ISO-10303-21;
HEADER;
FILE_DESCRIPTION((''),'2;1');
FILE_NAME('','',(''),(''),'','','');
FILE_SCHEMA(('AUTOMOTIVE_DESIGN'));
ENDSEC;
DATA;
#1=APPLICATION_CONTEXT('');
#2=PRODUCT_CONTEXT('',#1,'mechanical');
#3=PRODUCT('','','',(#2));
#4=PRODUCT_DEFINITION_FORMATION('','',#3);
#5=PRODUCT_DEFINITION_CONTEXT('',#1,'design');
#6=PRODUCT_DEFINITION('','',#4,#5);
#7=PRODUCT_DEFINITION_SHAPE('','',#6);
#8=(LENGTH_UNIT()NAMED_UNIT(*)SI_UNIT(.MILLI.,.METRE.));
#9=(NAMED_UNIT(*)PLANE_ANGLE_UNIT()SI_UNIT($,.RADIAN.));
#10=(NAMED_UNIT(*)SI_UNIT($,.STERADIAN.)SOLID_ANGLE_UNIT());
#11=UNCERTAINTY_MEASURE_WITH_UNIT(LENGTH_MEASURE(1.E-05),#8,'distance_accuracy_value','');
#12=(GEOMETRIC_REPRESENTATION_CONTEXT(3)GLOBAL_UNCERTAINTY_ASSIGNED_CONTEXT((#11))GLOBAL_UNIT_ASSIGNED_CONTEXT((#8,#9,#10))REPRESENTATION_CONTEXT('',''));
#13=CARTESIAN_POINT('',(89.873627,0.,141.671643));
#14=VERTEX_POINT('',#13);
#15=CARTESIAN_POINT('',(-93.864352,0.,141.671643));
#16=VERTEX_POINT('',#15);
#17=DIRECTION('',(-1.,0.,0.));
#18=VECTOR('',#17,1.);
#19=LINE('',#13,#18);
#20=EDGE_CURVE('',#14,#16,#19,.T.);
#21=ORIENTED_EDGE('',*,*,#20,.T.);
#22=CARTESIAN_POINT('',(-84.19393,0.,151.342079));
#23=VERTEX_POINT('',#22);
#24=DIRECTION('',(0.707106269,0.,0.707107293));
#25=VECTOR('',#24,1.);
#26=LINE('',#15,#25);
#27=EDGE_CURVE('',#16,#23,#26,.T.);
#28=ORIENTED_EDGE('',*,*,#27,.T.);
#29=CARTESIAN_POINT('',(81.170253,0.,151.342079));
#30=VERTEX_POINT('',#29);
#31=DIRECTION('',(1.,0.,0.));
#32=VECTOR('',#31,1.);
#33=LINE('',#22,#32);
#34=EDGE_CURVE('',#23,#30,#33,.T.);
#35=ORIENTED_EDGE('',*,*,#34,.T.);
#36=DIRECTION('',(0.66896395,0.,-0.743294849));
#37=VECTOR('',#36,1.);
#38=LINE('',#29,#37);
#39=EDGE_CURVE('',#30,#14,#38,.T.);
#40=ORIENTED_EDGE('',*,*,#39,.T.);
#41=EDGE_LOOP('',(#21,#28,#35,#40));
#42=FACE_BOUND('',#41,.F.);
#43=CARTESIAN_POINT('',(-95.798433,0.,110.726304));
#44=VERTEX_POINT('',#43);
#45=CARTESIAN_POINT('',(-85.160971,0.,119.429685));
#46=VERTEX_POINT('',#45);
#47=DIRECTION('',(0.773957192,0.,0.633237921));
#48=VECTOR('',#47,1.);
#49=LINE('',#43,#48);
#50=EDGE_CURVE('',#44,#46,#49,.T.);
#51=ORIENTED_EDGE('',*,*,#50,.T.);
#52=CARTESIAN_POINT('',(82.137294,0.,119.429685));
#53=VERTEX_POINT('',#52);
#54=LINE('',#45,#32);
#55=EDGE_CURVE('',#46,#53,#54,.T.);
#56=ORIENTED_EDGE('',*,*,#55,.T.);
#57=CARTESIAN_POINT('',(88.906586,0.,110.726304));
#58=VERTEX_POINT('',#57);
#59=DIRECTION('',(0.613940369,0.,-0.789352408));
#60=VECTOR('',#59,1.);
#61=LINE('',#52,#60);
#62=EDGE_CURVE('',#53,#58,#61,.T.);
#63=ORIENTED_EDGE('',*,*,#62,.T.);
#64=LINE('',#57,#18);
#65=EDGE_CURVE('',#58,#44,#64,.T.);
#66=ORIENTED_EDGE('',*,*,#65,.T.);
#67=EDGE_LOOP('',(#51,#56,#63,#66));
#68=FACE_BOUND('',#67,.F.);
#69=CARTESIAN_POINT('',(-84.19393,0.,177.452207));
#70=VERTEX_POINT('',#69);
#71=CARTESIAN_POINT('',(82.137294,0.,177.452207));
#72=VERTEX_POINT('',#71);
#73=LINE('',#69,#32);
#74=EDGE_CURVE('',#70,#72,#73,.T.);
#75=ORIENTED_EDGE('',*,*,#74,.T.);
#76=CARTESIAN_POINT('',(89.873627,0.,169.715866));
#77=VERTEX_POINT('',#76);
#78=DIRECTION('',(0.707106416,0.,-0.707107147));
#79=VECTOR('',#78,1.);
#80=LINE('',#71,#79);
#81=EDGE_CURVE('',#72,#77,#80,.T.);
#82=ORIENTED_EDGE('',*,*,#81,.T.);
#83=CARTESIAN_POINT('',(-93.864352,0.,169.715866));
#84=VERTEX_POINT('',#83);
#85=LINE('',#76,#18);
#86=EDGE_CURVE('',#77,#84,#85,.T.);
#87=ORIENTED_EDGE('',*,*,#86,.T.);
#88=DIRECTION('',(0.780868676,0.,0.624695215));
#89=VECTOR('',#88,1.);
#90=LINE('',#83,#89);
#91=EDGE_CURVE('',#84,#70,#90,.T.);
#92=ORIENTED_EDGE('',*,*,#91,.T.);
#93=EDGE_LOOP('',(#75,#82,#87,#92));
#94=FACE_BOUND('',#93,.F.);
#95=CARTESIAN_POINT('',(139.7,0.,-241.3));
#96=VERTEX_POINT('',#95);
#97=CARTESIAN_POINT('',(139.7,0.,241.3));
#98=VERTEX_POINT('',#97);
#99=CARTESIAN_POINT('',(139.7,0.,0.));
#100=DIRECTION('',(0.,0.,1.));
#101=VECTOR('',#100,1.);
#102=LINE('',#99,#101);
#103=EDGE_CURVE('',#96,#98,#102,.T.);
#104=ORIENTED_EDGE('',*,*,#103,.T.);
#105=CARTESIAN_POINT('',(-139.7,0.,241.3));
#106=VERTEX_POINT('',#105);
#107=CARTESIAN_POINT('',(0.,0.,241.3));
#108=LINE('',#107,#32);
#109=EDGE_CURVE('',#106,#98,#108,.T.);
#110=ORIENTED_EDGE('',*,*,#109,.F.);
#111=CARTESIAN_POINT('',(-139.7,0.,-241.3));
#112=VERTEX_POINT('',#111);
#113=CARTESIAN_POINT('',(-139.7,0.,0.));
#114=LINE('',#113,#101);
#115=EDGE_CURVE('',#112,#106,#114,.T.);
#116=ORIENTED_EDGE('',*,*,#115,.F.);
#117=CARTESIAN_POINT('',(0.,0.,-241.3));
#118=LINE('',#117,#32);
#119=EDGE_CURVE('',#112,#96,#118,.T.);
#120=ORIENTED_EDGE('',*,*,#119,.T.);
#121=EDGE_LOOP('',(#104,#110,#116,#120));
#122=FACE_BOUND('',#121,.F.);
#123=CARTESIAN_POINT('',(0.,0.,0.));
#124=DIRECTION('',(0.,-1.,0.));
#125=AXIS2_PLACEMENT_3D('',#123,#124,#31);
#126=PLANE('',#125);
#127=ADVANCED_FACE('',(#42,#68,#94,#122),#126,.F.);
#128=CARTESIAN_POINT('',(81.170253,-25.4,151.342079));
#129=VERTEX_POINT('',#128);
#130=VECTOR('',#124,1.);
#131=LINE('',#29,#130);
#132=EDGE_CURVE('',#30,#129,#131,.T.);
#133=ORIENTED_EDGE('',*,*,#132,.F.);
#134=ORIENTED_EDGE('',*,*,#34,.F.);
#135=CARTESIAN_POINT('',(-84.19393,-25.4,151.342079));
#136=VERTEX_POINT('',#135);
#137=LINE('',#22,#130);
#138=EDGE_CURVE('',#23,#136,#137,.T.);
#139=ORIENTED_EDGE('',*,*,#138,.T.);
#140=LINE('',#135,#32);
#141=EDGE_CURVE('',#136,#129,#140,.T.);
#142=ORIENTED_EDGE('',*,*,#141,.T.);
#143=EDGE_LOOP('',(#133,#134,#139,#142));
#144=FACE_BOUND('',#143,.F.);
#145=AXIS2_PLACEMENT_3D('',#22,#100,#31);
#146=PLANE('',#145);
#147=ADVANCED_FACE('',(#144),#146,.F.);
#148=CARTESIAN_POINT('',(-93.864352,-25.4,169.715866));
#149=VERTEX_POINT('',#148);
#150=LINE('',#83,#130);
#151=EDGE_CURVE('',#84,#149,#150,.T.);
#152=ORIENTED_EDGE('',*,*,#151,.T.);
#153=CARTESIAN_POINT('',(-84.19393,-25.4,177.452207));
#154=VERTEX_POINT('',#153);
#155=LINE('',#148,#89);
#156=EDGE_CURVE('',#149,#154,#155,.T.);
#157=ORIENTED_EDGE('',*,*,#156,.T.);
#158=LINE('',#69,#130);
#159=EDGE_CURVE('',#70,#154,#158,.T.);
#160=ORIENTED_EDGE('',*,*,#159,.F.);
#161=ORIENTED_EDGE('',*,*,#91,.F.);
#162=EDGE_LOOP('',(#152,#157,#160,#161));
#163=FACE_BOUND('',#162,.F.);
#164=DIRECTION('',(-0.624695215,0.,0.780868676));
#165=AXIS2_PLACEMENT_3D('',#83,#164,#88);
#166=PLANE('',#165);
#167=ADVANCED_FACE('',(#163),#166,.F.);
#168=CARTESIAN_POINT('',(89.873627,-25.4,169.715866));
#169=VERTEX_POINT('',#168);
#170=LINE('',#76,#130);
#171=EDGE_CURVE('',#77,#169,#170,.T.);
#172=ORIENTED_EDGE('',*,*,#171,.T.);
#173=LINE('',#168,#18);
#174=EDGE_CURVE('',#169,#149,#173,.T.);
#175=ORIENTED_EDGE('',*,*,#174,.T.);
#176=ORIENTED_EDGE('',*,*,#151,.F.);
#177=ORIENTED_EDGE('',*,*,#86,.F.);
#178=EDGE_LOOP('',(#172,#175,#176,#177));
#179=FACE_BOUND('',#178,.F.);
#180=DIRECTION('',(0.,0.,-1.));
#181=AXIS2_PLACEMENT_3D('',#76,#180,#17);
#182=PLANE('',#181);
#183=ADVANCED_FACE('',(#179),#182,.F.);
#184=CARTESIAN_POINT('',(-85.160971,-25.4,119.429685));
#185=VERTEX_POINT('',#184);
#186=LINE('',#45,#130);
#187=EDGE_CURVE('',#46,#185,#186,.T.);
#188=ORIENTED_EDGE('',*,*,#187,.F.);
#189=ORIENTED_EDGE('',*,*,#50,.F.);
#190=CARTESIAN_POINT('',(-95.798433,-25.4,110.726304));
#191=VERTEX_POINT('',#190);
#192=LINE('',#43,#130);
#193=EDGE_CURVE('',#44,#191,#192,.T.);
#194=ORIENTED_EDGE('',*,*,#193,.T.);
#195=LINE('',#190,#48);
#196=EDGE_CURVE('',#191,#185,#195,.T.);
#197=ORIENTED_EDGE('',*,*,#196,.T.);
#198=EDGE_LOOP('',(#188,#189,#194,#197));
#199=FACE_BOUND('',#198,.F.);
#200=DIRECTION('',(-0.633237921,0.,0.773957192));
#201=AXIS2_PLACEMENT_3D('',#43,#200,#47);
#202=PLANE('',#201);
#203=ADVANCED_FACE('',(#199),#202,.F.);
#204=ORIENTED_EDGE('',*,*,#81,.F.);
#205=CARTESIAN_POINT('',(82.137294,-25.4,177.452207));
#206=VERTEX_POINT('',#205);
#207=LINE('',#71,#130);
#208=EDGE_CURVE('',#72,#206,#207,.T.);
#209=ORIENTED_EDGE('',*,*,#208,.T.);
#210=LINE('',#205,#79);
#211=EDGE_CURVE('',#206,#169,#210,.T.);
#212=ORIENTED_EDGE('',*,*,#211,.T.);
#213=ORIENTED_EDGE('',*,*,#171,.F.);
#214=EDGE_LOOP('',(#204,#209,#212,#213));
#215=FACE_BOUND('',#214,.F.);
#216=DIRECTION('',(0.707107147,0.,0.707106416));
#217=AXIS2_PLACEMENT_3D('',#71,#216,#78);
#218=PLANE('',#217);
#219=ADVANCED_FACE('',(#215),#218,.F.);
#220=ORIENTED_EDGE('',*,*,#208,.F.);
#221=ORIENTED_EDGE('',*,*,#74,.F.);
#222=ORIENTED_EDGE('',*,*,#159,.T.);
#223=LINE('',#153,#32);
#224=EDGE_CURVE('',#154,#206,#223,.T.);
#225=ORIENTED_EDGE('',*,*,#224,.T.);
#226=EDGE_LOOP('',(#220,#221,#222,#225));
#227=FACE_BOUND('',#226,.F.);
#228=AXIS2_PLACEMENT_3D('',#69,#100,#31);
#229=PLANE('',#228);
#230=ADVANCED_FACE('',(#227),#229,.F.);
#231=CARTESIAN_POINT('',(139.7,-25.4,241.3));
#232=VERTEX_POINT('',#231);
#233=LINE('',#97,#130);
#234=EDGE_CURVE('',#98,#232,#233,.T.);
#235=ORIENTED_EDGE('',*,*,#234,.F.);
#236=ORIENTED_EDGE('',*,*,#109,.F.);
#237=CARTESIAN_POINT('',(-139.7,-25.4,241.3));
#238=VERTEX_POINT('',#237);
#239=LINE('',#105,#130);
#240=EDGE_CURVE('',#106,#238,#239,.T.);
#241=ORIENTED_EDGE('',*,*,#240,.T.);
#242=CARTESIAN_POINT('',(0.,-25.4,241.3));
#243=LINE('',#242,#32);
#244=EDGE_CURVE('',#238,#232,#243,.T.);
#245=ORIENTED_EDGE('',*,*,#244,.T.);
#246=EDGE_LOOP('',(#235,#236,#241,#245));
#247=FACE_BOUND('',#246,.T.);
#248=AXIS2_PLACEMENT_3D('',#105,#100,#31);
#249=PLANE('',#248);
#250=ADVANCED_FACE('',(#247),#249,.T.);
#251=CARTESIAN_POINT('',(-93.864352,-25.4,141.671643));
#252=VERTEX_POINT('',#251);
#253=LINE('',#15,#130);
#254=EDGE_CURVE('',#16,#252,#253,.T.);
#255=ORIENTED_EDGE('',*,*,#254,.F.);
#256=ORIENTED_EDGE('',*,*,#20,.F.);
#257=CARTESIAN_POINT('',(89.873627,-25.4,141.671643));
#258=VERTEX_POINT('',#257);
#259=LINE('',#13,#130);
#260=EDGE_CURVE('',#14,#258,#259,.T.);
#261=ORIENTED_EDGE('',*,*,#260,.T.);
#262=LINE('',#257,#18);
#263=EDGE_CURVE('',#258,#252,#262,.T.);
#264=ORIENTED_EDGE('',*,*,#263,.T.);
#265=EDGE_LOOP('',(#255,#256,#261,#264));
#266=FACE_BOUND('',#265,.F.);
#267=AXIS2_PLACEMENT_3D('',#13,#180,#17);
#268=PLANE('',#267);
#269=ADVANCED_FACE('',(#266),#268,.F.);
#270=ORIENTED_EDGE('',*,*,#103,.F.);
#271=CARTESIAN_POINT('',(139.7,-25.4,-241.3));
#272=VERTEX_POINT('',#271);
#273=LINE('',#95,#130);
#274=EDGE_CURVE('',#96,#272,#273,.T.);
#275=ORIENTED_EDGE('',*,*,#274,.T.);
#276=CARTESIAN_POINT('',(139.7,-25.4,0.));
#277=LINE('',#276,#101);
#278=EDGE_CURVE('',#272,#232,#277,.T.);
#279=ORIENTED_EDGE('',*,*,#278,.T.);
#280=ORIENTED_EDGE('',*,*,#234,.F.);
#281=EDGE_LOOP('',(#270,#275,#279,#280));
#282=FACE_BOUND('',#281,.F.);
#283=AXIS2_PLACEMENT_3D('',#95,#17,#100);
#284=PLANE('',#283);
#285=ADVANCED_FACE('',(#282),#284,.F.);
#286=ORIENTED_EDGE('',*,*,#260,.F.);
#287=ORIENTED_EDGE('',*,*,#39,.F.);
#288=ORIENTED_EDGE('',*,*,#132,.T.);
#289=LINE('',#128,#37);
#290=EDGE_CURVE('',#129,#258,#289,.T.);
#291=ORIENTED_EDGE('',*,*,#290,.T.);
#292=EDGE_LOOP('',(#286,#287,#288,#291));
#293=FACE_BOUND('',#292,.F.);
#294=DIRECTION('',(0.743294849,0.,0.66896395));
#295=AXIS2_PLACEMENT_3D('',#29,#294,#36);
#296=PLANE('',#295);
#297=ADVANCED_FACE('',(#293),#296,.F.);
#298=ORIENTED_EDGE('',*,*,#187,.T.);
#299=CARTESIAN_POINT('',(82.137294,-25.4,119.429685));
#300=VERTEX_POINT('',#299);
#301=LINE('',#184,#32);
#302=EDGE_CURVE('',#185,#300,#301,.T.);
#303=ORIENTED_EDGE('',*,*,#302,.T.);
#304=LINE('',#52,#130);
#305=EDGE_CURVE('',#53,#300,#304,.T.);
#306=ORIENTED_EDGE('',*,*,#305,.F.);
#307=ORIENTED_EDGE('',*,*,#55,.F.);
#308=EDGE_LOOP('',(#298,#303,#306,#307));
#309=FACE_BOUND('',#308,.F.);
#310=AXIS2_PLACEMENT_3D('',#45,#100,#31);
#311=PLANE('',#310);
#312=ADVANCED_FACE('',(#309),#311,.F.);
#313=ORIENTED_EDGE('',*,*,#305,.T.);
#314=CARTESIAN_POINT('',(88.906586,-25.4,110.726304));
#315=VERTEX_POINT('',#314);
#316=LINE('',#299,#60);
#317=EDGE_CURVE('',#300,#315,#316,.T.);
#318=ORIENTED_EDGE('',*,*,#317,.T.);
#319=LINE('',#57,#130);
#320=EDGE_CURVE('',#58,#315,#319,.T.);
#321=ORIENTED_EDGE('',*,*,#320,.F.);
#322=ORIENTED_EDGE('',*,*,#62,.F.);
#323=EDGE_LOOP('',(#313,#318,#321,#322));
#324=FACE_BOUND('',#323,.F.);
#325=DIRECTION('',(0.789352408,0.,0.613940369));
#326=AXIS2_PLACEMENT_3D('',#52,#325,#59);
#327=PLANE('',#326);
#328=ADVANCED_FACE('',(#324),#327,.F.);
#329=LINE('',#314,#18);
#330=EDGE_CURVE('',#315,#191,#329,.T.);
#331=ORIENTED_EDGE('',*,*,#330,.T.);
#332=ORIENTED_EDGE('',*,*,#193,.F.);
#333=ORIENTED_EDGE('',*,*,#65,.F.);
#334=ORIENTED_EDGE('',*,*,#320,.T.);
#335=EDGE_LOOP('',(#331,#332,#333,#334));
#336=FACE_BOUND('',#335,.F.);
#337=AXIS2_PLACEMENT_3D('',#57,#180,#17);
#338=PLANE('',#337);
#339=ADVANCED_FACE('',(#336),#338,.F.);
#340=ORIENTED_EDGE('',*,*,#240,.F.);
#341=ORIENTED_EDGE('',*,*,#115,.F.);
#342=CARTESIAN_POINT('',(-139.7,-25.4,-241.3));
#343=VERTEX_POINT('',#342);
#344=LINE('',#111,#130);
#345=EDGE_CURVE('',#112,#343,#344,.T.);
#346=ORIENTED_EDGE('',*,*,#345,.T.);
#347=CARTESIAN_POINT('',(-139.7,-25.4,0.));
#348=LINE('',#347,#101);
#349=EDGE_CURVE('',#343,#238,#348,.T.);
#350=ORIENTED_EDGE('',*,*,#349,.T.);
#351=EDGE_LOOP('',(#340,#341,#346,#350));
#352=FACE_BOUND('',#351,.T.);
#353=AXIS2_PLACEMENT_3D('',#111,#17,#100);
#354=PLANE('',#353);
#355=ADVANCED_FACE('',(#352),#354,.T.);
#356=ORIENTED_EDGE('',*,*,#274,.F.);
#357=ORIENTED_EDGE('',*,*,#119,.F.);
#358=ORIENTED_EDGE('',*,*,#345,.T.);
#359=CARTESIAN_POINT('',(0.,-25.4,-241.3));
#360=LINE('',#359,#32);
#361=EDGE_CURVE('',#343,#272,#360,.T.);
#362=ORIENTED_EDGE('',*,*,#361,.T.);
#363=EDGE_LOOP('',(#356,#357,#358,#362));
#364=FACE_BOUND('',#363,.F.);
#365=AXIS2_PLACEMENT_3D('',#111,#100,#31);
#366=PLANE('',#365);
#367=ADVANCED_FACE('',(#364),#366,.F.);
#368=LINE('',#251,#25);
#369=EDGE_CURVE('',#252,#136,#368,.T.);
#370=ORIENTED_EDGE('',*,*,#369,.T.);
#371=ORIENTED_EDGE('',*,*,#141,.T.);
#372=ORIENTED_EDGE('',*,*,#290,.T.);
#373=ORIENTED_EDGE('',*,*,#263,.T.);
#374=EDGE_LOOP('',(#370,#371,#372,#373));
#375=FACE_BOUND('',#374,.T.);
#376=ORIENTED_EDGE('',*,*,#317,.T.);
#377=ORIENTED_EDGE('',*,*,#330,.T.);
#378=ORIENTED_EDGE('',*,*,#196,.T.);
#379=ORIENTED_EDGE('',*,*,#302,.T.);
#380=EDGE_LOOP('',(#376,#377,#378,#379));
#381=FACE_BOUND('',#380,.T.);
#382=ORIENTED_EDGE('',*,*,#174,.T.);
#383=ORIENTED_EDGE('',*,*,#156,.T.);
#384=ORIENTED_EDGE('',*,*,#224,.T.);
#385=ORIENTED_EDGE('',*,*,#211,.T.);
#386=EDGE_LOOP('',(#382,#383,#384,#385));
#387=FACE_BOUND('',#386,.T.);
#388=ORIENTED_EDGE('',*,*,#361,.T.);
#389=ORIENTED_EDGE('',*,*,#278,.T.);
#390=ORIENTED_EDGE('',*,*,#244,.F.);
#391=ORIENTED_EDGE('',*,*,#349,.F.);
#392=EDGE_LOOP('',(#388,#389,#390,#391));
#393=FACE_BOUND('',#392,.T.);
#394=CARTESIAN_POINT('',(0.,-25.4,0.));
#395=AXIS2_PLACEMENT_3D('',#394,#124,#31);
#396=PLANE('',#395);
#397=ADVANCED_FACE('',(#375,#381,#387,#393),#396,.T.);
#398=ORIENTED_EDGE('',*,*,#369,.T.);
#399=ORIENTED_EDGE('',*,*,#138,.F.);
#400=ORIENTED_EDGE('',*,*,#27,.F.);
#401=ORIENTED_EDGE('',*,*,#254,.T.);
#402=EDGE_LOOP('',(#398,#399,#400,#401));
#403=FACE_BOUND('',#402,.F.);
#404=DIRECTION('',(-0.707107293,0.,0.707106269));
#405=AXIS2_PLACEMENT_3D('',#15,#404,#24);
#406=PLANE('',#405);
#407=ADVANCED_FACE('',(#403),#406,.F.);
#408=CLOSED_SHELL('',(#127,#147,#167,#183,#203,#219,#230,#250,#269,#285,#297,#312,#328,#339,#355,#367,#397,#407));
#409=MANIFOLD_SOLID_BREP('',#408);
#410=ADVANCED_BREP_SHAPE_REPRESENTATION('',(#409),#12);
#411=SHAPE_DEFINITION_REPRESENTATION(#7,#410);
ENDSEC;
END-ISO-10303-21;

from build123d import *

# Parameters (mm, degrees)
F0_W     = 279.4
F0_H     = 482.6
F1_DEPTH = 25.4


with BuildPart() as f1:
    # F0 (on Front) → F1 (new body)
    with BuildSketch(Plane.XZ):
        Rectangle(F0_W, F0_H)
        Polygon((-95.798433, 110.726304), (-85.160971, 119.429685), (82.137294, 119.429685), (88.906586, 110.726304), align=None, mode=Mode.SUBTRACT)
        Polygon((-93.864352, 141.671643), (-84.19393, 151.342079), (81.170253, 151.342079), (89.873627, 141.671643), align=None, mode=Mode.SUBTRACT)
        Polygon((-93.864352, 169.715866), (-84.19393, 177.452207), (82.137294, 177.452207), (89.873627, 169.715866), align=None, mode=Mode.SUBTRACT)
    extrude(amount=F1_DEPTH)


solid = f1.part
